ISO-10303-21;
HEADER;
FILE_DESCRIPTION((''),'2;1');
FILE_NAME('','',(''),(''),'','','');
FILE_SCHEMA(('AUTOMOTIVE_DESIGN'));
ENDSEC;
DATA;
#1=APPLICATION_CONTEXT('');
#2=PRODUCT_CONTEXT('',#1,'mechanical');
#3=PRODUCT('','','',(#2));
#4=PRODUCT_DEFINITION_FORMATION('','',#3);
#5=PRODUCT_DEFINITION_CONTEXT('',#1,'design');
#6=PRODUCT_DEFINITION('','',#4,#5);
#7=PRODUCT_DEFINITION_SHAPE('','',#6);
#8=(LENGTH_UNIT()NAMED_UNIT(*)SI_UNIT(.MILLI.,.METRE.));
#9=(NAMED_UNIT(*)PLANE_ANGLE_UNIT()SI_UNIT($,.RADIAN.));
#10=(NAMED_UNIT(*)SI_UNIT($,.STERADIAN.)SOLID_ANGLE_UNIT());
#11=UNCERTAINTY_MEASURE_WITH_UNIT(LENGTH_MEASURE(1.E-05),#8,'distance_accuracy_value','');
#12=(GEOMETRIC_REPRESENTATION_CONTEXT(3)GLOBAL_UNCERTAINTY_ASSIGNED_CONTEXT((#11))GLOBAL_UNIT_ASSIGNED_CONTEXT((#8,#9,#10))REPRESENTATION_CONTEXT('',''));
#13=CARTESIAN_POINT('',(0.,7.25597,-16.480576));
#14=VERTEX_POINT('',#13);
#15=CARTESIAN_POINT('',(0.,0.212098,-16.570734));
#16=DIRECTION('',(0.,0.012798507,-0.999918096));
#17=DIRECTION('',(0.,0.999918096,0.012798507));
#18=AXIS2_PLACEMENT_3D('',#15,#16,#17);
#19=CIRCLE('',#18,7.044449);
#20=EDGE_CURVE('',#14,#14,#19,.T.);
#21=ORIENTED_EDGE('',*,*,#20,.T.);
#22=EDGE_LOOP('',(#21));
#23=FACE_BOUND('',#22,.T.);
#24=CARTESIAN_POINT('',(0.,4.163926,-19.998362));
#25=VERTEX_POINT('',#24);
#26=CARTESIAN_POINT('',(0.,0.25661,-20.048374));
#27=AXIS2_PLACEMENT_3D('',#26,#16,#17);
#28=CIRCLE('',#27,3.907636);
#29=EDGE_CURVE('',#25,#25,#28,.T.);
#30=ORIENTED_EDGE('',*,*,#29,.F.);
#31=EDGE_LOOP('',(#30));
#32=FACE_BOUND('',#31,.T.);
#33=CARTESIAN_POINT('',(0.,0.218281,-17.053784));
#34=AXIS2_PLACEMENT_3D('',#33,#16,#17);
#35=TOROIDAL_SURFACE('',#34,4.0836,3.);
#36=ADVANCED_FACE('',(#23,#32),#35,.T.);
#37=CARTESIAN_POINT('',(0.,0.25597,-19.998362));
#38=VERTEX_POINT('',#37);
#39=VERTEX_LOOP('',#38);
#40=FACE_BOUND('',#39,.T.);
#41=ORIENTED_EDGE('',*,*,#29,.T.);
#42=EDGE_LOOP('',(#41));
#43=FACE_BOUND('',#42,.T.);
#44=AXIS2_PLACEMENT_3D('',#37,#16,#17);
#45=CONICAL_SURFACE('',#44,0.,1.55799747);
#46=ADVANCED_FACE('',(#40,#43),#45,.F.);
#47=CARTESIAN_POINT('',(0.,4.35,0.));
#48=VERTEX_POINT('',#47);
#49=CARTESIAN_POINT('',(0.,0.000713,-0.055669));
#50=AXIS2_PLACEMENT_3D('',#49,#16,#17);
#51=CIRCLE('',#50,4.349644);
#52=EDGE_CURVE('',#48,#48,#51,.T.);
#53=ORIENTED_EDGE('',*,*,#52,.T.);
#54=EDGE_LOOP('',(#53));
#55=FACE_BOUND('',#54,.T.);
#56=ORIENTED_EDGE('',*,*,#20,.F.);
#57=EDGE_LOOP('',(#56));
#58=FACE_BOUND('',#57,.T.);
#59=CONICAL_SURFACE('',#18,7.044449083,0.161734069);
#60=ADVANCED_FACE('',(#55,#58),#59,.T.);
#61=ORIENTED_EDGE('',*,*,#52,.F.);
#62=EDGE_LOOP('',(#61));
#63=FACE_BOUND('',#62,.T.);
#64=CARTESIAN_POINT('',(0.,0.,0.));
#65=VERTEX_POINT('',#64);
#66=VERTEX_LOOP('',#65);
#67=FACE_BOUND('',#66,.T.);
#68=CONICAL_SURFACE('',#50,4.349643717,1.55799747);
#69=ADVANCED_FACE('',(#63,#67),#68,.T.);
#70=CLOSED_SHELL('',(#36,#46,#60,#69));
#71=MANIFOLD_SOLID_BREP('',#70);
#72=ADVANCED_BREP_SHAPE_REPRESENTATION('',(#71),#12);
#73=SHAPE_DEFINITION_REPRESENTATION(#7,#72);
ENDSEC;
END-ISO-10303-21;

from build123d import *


with BuildPart() as part:
    # Sketch1 → Revolve1 (revolve)
    with BuildSketch(Plane(origin=(0, 0, 0), x_dir=(0, 0, -1), z_dir=(1, 0, 0))):
        with BuildLine():
            Line((0, 0), (0, 4.35))
            Line((0, 4.35), (16.480575626, 7.25597014))
            ThreePointArc((16.480575626, 7.25597014), (18.98210111, 6.554833169), (19.998361915, 4.163926066))
            Line((19.998361915, 4.163926066), (19.998361915, 0.25597014))
            Line((19.998361915, 0.25597014), (0, 0))
        make_face()
    revolve(axis=Axis((0, 0.25597014, -19.998361915), (0, -0.012798507023283388, 0.9999180957548348)))


solid = part.part
